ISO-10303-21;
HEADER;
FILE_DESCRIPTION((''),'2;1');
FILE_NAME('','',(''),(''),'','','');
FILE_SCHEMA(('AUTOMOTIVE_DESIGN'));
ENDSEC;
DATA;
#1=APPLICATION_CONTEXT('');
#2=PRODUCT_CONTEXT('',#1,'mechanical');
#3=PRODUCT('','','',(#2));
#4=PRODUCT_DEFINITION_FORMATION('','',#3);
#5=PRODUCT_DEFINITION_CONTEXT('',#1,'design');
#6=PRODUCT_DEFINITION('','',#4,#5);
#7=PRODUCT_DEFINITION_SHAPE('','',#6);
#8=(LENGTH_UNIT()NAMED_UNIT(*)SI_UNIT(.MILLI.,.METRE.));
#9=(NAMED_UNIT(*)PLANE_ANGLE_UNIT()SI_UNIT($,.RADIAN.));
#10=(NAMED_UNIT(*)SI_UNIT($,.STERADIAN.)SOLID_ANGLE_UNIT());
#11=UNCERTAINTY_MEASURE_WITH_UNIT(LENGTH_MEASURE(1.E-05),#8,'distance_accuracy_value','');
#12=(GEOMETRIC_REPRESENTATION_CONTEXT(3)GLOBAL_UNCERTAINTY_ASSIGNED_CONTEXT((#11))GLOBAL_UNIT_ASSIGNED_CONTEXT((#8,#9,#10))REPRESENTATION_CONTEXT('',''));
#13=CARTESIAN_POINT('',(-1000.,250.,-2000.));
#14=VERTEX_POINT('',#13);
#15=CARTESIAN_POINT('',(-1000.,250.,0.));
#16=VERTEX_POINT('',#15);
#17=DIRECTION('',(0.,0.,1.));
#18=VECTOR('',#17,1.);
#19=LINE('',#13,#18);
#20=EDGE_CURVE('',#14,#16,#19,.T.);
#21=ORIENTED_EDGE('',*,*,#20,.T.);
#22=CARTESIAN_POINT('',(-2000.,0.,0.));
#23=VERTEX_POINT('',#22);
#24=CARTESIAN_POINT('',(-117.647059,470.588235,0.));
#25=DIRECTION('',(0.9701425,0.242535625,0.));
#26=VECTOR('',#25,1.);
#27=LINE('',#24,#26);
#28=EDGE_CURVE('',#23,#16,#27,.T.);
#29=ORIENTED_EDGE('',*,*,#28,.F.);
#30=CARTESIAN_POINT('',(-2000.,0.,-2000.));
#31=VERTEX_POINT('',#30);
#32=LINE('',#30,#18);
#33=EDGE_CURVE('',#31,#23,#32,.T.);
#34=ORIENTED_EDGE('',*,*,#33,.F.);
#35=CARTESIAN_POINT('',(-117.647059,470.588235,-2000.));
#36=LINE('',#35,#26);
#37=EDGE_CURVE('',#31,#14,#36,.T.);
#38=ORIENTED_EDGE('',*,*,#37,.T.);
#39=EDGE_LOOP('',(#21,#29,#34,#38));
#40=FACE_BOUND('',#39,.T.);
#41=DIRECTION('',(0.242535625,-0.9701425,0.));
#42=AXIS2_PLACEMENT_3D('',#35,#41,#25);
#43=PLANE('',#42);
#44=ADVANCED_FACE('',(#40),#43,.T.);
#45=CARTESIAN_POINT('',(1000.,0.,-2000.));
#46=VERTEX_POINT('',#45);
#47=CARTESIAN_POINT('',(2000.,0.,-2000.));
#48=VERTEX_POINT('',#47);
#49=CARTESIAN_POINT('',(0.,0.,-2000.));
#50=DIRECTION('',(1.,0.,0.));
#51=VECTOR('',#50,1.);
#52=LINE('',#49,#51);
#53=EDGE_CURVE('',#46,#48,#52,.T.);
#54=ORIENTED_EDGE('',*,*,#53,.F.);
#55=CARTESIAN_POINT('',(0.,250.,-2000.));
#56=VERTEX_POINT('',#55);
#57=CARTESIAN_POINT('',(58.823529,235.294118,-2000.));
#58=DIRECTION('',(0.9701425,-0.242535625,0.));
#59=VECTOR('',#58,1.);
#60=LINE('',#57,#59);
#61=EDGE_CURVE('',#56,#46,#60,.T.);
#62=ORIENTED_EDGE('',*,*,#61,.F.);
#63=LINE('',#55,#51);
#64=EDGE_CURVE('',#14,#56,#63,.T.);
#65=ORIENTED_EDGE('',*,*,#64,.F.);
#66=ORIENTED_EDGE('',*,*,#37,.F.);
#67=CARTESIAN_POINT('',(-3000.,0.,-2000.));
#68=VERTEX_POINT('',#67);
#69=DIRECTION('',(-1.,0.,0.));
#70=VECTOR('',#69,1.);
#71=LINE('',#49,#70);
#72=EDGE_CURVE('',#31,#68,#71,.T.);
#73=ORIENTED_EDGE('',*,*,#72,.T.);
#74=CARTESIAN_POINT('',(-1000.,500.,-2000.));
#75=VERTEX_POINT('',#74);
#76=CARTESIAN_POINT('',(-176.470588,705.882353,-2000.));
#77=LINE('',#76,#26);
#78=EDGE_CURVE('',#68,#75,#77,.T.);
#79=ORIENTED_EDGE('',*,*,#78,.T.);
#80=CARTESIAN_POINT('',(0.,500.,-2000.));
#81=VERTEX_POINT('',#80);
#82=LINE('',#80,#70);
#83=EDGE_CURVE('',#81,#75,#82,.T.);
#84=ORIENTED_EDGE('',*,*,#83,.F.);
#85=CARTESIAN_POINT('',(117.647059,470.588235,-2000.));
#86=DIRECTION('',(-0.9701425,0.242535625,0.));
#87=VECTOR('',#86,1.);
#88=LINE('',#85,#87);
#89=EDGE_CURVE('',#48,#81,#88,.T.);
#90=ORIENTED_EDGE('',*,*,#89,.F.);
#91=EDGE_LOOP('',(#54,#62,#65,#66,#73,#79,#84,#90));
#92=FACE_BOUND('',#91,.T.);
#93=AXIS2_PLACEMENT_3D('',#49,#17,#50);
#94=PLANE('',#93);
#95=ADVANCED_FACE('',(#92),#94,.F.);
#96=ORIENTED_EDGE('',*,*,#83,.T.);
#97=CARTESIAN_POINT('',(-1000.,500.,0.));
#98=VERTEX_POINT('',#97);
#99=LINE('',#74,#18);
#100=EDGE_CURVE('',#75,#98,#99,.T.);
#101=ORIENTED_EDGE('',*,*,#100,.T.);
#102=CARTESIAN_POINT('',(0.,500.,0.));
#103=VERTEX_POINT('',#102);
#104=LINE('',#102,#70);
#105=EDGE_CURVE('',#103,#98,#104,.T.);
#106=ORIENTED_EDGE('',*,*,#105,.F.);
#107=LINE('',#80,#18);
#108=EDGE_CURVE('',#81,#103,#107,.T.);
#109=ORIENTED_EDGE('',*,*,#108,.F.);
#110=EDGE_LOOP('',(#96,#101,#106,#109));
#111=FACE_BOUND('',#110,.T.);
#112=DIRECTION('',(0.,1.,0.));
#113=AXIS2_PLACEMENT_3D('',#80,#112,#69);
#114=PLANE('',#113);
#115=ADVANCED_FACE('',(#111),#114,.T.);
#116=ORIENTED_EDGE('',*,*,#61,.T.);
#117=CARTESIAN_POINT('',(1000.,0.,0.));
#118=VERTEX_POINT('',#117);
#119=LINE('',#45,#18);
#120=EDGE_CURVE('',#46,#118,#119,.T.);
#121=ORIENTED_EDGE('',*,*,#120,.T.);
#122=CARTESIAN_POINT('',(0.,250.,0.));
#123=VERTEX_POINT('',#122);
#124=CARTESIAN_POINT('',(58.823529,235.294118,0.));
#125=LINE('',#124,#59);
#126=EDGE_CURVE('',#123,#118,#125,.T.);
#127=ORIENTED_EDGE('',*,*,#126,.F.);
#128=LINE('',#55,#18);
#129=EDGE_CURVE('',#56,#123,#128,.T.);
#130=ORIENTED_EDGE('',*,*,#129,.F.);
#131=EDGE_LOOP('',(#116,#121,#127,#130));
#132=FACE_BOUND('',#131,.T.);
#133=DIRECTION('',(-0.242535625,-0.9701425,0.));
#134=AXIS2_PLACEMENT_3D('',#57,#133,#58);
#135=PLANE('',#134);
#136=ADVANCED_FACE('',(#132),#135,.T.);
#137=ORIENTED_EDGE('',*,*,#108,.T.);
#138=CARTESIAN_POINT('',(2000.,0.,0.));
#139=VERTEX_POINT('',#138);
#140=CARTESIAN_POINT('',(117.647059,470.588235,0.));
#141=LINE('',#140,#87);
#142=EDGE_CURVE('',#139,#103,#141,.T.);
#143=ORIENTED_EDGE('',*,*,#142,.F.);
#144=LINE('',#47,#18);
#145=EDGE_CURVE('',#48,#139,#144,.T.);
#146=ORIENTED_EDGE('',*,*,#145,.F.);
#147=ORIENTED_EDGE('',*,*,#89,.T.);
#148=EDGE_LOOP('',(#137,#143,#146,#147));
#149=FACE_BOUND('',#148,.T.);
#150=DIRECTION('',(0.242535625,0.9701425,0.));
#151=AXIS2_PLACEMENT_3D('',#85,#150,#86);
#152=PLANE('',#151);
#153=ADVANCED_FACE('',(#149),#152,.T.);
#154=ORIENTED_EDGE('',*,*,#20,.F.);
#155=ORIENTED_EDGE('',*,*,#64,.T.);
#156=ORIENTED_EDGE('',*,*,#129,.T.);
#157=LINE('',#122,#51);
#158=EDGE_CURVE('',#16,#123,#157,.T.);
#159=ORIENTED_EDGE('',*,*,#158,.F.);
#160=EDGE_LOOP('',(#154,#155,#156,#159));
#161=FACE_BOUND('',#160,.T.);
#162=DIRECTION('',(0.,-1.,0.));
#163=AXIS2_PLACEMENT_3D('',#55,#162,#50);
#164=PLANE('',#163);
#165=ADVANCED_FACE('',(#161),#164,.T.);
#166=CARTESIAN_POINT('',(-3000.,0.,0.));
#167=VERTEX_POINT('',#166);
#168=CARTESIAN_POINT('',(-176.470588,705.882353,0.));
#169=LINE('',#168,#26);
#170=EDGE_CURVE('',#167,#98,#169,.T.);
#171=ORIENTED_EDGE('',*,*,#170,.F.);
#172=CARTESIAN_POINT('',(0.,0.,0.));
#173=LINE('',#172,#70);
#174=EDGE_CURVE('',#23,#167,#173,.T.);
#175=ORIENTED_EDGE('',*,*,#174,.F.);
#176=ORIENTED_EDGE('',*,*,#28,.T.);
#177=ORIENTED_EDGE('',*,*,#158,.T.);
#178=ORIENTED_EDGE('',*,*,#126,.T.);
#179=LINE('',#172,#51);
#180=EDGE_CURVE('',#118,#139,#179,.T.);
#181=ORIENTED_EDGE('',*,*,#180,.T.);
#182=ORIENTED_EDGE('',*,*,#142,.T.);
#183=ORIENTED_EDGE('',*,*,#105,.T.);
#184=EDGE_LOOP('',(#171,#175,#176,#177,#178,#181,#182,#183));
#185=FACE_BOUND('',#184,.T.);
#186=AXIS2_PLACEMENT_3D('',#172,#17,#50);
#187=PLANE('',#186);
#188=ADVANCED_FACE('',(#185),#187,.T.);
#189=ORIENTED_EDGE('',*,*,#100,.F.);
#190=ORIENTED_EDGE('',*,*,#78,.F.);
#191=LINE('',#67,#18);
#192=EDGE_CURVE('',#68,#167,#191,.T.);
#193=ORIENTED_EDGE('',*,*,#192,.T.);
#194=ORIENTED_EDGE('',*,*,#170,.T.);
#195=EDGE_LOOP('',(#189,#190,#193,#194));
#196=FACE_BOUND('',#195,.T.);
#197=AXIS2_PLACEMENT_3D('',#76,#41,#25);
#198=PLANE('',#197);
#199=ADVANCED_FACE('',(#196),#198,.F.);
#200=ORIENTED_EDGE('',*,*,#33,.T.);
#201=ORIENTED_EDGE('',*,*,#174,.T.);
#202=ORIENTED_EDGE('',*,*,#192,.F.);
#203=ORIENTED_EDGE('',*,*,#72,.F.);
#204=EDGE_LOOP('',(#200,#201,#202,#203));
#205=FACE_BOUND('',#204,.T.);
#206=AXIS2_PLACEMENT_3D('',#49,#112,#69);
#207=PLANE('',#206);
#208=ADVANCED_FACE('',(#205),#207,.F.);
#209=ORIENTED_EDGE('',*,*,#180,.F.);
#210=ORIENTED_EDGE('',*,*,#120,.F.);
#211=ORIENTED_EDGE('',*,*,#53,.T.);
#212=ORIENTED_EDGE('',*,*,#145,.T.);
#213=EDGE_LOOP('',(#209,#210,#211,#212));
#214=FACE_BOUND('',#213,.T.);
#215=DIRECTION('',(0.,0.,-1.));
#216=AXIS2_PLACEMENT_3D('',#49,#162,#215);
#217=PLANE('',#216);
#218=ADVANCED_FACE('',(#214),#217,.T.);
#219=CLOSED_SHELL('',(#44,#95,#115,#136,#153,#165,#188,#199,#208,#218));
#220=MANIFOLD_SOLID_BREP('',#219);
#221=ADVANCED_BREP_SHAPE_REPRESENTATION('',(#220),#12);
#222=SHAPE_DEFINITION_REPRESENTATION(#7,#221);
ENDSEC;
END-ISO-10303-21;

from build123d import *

# Parameters (mm, degrees)
BOSS_EXTRUDE2_DEPTH = 2000


with BuildPart() as part:
    # Sketch1 → Boss-Extrude2 (new body)
    with BuildSketch(Plane.XY):
        Polygon((0, 250), (1000, 0), (2000, 0), (0, 500), (-1000, 500), (-3000, 0), (-2000, 0), (-1000, 250), align=None)
    extrude(amount=-BOSS_EXTRUDE2_DEPTH)


solid = part.part
